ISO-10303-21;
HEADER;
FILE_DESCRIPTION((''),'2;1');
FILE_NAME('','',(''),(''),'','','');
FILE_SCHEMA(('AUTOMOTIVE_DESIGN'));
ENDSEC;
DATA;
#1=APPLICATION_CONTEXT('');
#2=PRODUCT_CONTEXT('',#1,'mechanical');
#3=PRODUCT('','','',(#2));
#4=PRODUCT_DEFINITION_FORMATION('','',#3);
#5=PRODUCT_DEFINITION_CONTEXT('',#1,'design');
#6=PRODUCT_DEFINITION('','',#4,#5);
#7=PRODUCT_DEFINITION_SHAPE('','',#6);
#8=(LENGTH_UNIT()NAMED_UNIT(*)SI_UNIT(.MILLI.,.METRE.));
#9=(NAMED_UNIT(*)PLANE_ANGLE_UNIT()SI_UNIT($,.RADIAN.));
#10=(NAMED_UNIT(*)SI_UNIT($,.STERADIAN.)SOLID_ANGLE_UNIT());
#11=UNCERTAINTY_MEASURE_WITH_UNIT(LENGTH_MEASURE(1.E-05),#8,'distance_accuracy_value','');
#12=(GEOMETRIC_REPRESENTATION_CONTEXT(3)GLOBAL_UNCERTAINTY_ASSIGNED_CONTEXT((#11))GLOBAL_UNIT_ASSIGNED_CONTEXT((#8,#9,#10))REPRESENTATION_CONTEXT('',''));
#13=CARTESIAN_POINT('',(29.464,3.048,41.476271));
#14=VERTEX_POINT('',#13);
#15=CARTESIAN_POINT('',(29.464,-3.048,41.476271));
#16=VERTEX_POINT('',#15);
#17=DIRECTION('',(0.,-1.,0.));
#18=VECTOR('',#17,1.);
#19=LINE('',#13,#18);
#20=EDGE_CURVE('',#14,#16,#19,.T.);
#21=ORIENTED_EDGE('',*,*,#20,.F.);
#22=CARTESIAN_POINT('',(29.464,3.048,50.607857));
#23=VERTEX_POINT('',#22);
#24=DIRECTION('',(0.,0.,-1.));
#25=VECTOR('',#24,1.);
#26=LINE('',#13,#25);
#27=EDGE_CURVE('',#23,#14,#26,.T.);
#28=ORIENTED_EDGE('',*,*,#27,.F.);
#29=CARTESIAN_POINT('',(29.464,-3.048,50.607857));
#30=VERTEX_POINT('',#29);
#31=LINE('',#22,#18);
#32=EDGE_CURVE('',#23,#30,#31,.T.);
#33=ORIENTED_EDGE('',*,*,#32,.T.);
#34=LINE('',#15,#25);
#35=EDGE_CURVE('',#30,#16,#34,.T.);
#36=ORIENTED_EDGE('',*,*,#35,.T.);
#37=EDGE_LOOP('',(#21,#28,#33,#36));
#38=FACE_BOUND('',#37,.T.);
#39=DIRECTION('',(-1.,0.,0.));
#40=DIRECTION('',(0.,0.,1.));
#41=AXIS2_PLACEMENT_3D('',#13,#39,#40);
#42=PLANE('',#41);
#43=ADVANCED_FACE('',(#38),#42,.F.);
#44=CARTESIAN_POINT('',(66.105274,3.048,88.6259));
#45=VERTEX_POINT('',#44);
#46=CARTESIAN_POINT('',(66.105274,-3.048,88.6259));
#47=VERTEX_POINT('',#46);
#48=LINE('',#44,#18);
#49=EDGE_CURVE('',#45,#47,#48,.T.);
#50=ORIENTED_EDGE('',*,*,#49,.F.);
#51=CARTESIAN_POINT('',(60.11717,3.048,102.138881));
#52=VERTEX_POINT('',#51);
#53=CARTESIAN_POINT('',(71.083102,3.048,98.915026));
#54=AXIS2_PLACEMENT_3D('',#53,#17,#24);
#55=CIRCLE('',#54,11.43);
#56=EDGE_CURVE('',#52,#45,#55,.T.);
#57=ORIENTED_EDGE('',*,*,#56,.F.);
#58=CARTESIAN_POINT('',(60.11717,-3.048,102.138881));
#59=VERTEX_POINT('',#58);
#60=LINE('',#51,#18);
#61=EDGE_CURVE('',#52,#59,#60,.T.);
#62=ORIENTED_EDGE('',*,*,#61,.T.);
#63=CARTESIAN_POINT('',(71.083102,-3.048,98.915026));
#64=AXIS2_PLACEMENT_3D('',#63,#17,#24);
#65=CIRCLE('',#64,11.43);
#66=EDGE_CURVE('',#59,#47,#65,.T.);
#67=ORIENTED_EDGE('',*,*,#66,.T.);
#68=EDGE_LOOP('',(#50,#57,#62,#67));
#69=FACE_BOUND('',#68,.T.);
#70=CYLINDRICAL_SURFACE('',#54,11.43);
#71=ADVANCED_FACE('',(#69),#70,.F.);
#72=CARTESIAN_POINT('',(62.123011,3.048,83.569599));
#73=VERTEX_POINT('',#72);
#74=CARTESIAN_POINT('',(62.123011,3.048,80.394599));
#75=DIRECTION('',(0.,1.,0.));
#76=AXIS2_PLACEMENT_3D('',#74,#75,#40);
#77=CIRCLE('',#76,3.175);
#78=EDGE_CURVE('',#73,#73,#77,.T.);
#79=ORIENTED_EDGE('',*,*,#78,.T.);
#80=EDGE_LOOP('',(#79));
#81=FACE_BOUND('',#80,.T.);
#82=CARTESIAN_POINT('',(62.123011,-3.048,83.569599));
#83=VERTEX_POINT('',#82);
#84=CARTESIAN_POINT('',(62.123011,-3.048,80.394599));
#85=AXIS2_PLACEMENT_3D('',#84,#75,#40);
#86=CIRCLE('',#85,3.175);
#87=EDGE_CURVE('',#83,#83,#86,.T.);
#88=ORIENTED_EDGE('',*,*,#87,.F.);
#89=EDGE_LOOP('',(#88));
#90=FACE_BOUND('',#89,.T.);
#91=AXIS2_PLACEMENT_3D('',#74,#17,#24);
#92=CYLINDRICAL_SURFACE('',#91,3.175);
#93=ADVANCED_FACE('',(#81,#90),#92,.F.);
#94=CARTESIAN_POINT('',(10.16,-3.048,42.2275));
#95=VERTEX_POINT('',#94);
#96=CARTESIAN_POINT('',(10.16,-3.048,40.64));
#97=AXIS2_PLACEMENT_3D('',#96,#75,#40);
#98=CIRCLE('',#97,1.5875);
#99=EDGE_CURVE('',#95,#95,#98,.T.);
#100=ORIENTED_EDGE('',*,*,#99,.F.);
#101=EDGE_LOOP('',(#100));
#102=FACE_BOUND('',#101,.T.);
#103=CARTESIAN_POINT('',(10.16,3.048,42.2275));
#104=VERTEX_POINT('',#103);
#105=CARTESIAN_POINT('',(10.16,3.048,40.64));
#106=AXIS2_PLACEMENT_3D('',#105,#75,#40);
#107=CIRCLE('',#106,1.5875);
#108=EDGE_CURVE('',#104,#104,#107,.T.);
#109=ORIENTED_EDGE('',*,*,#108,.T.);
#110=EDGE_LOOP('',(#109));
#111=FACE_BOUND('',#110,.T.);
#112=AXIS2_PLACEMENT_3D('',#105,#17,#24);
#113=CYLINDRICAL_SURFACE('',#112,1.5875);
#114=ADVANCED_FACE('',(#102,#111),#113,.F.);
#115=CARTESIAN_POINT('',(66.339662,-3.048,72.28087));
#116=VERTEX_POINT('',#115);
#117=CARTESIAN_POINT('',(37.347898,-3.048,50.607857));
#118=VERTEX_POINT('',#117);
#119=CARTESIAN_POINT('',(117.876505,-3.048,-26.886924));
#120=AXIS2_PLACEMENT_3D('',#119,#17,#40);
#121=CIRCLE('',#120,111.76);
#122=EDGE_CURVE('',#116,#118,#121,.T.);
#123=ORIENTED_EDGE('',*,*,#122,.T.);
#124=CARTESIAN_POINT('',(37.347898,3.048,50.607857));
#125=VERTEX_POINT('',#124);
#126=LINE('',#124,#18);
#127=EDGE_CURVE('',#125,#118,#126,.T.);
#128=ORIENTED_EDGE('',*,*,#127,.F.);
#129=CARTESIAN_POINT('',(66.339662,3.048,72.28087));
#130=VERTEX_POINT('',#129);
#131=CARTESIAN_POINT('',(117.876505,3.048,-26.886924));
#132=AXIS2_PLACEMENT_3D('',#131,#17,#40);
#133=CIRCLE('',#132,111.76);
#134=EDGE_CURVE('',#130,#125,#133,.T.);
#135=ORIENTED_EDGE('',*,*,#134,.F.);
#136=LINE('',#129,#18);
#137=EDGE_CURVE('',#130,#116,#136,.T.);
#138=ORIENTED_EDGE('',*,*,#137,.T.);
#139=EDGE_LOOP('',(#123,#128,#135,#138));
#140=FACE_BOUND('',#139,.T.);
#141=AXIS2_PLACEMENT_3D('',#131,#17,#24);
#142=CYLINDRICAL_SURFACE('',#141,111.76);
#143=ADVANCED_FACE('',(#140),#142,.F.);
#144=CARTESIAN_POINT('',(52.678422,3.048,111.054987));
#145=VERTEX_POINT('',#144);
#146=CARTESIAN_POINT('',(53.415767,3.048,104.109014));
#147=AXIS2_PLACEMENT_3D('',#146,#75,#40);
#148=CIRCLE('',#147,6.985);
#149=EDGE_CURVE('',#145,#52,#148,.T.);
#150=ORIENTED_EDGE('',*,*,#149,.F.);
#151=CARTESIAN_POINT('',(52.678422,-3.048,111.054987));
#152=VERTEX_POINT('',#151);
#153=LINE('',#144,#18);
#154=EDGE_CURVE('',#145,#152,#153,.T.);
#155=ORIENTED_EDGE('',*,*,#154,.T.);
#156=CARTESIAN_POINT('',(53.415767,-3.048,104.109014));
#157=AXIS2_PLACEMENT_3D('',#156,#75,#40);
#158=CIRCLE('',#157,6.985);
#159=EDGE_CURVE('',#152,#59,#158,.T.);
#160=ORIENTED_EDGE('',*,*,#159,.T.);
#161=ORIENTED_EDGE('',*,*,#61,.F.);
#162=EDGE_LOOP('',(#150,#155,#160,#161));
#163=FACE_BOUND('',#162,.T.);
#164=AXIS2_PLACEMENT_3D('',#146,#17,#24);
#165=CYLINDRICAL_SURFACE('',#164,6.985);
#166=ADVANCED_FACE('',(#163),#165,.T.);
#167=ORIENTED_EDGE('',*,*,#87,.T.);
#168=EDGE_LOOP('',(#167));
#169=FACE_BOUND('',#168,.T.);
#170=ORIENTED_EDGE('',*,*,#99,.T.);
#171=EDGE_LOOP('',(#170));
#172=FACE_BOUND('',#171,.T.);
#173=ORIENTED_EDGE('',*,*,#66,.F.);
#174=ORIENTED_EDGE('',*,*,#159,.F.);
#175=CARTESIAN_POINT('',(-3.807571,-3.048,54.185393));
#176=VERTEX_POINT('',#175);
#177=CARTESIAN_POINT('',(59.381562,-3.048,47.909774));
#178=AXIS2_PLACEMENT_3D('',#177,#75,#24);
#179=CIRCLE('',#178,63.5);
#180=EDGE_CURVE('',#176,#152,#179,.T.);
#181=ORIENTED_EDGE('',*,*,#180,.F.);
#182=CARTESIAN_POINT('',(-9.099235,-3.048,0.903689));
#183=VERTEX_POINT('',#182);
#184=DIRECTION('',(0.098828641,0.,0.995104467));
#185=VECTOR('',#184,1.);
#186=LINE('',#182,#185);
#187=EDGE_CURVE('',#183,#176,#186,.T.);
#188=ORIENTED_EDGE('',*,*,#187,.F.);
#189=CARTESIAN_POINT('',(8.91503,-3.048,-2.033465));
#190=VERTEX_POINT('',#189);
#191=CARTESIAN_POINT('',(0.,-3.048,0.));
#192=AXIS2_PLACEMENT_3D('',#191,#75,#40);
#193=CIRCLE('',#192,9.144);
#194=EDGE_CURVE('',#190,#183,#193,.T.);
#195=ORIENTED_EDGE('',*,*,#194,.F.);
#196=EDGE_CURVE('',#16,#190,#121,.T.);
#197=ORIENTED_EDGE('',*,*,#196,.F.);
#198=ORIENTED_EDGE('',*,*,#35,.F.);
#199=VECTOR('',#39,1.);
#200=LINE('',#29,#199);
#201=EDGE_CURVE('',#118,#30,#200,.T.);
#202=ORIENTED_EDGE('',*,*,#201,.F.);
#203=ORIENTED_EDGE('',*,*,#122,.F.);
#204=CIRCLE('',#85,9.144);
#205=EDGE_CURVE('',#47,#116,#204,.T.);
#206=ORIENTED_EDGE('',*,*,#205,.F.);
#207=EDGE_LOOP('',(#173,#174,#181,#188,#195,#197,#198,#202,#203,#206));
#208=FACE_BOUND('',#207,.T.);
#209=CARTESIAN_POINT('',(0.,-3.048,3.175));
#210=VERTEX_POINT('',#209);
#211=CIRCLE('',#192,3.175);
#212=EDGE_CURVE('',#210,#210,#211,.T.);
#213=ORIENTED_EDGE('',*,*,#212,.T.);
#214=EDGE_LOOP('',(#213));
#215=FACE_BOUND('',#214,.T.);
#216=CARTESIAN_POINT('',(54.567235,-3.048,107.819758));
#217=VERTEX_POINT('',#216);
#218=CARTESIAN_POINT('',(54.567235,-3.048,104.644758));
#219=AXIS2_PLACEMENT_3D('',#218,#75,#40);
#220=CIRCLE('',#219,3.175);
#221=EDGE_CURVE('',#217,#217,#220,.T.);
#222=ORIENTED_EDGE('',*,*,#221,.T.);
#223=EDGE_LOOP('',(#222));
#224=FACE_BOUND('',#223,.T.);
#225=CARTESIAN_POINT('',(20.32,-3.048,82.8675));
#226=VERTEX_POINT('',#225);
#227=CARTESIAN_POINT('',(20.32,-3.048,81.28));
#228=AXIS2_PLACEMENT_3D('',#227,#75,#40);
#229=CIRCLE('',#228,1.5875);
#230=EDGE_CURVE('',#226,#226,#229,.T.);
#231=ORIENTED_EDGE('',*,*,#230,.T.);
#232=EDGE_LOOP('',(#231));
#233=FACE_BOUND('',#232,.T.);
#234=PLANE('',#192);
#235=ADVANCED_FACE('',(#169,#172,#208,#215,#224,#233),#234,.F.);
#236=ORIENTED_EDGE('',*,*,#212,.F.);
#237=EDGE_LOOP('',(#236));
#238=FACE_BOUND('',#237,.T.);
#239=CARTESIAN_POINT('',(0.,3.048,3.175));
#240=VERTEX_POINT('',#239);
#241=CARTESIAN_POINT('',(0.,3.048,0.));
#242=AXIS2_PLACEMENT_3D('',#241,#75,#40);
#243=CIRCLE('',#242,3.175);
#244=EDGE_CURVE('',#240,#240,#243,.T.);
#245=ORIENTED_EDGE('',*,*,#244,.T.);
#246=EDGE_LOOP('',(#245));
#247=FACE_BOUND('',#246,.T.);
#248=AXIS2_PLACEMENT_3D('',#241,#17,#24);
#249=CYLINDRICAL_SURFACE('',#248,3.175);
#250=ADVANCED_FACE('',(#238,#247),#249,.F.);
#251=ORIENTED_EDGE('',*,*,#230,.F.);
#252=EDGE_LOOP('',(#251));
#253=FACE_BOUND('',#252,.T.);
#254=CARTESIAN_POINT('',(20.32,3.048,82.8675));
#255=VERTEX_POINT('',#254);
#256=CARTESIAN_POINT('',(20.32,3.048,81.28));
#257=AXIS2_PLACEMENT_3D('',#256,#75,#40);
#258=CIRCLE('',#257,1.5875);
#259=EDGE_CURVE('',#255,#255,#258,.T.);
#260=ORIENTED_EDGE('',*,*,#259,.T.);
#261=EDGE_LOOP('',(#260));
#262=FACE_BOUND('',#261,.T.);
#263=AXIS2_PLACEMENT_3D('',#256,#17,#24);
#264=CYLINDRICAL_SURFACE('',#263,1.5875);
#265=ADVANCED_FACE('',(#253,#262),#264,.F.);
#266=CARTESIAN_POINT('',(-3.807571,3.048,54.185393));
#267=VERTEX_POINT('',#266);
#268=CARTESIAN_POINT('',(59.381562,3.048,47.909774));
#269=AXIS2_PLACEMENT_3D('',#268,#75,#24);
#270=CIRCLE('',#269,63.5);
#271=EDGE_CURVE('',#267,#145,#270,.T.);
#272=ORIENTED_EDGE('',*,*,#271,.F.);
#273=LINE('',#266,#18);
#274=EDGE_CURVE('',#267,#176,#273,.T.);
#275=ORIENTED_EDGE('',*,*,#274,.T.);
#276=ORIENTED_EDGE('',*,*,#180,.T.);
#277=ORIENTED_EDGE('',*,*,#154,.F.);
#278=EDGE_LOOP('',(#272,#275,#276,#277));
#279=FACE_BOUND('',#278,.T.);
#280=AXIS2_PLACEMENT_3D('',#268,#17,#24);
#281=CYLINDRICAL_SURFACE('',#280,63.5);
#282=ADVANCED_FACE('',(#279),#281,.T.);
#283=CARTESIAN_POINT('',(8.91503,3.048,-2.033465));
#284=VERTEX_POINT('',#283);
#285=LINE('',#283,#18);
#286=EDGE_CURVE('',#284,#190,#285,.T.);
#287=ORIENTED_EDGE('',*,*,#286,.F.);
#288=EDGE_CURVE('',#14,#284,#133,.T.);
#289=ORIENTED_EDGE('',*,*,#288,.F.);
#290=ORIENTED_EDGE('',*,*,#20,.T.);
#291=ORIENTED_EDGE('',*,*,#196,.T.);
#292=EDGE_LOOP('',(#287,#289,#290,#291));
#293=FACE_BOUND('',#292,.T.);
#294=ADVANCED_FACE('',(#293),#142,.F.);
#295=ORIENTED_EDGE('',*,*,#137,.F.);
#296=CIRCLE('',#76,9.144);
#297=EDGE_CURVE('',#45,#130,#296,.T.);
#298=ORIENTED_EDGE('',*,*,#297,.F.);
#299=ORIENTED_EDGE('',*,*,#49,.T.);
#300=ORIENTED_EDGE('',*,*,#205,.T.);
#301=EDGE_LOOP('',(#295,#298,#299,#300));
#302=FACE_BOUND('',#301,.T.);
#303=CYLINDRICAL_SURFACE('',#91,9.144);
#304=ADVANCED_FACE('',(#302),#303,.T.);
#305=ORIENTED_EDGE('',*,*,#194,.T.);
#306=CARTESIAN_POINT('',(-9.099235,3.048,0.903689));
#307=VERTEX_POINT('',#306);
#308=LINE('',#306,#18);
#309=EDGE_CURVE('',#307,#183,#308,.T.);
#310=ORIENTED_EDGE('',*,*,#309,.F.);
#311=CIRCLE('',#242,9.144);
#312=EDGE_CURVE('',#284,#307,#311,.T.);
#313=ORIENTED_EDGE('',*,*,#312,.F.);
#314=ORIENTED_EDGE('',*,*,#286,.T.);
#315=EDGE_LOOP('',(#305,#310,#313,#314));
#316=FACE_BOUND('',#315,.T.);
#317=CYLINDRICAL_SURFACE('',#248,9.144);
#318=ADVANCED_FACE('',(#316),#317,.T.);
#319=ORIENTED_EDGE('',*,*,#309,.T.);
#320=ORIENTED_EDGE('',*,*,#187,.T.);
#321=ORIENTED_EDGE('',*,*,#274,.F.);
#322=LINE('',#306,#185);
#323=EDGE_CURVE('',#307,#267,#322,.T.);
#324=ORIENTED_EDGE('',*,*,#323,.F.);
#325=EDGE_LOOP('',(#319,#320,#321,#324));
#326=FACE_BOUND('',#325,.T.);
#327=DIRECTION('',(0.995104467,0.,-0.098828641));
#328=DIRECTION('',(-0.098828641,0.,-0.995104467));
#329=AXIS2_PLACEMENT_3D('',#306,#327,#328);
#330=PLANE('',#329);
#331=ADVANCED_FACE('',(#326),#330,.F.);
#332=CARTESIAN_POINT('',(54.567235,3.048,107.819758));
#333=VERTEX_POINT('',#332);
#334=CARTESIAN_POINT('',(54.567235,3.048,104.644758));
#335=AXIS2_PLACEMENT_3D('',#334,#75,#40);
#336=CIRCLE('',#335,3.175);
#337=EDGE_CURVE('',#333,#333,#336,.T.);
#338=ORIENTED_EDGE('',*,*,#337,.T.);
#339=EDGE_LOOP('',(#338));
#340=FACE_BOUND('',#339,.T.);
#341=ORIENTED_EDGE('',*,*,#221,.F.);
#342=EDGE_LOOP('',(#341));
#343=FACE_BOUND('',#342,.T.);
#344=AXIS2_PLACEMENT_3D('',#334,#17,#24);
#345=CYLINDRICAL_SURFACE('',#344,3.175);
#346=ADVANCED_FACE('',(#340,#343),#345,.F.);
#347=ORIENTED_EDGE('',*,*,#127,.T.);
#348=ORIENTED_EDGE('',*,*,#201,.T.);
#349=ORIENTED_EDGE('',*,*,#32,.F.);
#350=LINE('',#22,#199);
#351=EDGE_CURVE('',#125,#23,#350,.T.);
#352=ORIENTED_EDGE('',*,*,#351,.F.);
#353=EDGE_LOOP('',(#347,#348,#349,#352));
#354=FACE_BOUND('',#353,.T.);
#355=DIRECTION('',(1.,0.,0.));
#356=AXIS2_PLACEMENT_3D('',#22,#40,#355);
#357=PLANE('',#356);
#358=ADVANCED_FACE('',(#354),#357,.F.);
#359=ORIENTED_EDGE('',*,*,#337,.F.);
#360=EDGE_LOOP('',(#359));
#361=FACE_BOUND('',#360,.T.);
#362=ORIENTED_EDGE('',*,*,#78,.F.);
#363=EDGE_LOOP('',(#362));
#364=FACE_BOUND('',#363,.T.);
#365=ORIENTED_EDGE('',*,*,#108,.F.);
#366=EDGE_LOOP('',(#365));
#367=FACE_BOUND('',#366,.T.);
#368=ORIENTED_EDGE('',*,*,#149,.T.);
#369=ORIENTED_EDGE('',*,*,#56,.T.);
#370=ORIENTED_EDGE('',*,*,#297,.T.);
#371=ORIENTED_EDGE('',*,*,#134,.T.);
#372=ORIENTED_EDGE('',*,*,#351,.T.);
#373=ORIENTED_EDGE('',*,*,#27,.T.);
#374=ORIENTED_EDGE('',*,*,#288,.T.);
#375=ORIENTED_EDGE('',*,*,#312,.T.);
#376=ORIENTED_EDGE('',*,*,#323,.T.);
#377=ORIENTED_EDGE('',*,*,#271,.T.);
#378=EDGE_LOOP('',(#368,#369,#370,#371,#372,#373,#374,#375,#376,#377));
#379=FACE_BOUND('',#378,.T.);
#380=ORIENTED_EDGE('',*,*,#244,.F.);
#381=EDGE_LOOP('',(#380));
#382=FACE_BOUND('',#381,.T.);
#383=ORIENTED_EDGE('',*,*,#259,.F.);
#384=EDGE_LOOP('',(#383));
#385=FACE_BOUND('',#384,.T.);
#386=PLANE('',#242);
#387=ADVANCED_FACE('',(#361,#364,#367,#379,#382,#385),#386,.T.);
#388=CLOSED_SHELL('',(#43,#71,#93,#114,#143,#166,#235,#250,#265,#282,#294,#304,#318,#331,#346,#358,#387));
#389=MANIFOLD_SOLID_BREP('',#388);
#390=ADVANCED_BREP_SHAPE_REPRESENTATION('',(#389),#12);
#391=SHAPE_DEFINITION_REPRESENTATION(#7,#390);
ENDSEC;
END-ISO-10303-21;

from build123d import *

# Parameters (mm, degrees)
SKETCH1_R           = 3.175
SKETCH1_R_2         = 1.5875
BOSS_EXTRUDE1_DEPTH = 3.048


with BuildPart() as part:
    # Sketch1 → Boss-Extrude1 (new, symmetric)
    with BuildSketch(Plane(origin=(0, 0, 0), x_dir=(1, 0, 0), z_dir=(0, 1, 0))):
        with BuildLine():
            Line((-9.099235244, -0.903689094), (-3.807571336, -54.185393016))
            ThreePointArc((-3.807571336, -54.185393016), (14.328591511, -92.658850534), (52.678421921, -111.054987185))
            ThreePointArc((52.678421921, -111.054987185), (58.779230265, -108.583775292), (60.117170229, -102.138880621))
            ThreePointArc((60.117170229, -102.138880621), (60.633172254, -94.28427436), (66.105273821, -88.625899853))
            ThreePointArc((66.105273821, -88.625899853), (71.266071099, -80.525710338), (66.339661954, -72.280870032))
            ThreePointArc((66.339661954, -72.280870032), (50.960508132, -62.625906994), (37.347898209, -50.607856626))
            Line((37.347898209, -50.607856626), (29.464, -50.607856626))
            Line((29.464, -50.607856626), (29.464, -41.476271417))
            ThreePointArc((29.464, -41.476271417), (16.820103433, -20.840439396), (8.915029824, 2.033464836))
            ThreePointArc((8.915029824, 2.033464836), (-1.47146227, 9.024828796), (-9.099235244, -0.903689094))
        make_face()
        Circle(SKETCH1_R, mode=Mode.SUBTRACT)
        with Locations((62.123011123, -80.394598631)):
            Circle(SKETCH1_R, mode=Mode.SUBTRACT)
        with Locations((54.567235003, -104.644758367)):
            Circle(SKETCH1_R, mode=Mode.SUBTRACT)
        with Locations((10.16, -40.64)):
            Circle(SKETCH1_R_2, mode=Mode.SUBTRACT)
        with Locations((20.32, -81.28)):
            Circle(SKETCH1_R_2, mode=Mode.SUBTRACT)
    extrude(amount=BOSS_EXTRUDE1_DEPTH, both=True)


solid = part.part
